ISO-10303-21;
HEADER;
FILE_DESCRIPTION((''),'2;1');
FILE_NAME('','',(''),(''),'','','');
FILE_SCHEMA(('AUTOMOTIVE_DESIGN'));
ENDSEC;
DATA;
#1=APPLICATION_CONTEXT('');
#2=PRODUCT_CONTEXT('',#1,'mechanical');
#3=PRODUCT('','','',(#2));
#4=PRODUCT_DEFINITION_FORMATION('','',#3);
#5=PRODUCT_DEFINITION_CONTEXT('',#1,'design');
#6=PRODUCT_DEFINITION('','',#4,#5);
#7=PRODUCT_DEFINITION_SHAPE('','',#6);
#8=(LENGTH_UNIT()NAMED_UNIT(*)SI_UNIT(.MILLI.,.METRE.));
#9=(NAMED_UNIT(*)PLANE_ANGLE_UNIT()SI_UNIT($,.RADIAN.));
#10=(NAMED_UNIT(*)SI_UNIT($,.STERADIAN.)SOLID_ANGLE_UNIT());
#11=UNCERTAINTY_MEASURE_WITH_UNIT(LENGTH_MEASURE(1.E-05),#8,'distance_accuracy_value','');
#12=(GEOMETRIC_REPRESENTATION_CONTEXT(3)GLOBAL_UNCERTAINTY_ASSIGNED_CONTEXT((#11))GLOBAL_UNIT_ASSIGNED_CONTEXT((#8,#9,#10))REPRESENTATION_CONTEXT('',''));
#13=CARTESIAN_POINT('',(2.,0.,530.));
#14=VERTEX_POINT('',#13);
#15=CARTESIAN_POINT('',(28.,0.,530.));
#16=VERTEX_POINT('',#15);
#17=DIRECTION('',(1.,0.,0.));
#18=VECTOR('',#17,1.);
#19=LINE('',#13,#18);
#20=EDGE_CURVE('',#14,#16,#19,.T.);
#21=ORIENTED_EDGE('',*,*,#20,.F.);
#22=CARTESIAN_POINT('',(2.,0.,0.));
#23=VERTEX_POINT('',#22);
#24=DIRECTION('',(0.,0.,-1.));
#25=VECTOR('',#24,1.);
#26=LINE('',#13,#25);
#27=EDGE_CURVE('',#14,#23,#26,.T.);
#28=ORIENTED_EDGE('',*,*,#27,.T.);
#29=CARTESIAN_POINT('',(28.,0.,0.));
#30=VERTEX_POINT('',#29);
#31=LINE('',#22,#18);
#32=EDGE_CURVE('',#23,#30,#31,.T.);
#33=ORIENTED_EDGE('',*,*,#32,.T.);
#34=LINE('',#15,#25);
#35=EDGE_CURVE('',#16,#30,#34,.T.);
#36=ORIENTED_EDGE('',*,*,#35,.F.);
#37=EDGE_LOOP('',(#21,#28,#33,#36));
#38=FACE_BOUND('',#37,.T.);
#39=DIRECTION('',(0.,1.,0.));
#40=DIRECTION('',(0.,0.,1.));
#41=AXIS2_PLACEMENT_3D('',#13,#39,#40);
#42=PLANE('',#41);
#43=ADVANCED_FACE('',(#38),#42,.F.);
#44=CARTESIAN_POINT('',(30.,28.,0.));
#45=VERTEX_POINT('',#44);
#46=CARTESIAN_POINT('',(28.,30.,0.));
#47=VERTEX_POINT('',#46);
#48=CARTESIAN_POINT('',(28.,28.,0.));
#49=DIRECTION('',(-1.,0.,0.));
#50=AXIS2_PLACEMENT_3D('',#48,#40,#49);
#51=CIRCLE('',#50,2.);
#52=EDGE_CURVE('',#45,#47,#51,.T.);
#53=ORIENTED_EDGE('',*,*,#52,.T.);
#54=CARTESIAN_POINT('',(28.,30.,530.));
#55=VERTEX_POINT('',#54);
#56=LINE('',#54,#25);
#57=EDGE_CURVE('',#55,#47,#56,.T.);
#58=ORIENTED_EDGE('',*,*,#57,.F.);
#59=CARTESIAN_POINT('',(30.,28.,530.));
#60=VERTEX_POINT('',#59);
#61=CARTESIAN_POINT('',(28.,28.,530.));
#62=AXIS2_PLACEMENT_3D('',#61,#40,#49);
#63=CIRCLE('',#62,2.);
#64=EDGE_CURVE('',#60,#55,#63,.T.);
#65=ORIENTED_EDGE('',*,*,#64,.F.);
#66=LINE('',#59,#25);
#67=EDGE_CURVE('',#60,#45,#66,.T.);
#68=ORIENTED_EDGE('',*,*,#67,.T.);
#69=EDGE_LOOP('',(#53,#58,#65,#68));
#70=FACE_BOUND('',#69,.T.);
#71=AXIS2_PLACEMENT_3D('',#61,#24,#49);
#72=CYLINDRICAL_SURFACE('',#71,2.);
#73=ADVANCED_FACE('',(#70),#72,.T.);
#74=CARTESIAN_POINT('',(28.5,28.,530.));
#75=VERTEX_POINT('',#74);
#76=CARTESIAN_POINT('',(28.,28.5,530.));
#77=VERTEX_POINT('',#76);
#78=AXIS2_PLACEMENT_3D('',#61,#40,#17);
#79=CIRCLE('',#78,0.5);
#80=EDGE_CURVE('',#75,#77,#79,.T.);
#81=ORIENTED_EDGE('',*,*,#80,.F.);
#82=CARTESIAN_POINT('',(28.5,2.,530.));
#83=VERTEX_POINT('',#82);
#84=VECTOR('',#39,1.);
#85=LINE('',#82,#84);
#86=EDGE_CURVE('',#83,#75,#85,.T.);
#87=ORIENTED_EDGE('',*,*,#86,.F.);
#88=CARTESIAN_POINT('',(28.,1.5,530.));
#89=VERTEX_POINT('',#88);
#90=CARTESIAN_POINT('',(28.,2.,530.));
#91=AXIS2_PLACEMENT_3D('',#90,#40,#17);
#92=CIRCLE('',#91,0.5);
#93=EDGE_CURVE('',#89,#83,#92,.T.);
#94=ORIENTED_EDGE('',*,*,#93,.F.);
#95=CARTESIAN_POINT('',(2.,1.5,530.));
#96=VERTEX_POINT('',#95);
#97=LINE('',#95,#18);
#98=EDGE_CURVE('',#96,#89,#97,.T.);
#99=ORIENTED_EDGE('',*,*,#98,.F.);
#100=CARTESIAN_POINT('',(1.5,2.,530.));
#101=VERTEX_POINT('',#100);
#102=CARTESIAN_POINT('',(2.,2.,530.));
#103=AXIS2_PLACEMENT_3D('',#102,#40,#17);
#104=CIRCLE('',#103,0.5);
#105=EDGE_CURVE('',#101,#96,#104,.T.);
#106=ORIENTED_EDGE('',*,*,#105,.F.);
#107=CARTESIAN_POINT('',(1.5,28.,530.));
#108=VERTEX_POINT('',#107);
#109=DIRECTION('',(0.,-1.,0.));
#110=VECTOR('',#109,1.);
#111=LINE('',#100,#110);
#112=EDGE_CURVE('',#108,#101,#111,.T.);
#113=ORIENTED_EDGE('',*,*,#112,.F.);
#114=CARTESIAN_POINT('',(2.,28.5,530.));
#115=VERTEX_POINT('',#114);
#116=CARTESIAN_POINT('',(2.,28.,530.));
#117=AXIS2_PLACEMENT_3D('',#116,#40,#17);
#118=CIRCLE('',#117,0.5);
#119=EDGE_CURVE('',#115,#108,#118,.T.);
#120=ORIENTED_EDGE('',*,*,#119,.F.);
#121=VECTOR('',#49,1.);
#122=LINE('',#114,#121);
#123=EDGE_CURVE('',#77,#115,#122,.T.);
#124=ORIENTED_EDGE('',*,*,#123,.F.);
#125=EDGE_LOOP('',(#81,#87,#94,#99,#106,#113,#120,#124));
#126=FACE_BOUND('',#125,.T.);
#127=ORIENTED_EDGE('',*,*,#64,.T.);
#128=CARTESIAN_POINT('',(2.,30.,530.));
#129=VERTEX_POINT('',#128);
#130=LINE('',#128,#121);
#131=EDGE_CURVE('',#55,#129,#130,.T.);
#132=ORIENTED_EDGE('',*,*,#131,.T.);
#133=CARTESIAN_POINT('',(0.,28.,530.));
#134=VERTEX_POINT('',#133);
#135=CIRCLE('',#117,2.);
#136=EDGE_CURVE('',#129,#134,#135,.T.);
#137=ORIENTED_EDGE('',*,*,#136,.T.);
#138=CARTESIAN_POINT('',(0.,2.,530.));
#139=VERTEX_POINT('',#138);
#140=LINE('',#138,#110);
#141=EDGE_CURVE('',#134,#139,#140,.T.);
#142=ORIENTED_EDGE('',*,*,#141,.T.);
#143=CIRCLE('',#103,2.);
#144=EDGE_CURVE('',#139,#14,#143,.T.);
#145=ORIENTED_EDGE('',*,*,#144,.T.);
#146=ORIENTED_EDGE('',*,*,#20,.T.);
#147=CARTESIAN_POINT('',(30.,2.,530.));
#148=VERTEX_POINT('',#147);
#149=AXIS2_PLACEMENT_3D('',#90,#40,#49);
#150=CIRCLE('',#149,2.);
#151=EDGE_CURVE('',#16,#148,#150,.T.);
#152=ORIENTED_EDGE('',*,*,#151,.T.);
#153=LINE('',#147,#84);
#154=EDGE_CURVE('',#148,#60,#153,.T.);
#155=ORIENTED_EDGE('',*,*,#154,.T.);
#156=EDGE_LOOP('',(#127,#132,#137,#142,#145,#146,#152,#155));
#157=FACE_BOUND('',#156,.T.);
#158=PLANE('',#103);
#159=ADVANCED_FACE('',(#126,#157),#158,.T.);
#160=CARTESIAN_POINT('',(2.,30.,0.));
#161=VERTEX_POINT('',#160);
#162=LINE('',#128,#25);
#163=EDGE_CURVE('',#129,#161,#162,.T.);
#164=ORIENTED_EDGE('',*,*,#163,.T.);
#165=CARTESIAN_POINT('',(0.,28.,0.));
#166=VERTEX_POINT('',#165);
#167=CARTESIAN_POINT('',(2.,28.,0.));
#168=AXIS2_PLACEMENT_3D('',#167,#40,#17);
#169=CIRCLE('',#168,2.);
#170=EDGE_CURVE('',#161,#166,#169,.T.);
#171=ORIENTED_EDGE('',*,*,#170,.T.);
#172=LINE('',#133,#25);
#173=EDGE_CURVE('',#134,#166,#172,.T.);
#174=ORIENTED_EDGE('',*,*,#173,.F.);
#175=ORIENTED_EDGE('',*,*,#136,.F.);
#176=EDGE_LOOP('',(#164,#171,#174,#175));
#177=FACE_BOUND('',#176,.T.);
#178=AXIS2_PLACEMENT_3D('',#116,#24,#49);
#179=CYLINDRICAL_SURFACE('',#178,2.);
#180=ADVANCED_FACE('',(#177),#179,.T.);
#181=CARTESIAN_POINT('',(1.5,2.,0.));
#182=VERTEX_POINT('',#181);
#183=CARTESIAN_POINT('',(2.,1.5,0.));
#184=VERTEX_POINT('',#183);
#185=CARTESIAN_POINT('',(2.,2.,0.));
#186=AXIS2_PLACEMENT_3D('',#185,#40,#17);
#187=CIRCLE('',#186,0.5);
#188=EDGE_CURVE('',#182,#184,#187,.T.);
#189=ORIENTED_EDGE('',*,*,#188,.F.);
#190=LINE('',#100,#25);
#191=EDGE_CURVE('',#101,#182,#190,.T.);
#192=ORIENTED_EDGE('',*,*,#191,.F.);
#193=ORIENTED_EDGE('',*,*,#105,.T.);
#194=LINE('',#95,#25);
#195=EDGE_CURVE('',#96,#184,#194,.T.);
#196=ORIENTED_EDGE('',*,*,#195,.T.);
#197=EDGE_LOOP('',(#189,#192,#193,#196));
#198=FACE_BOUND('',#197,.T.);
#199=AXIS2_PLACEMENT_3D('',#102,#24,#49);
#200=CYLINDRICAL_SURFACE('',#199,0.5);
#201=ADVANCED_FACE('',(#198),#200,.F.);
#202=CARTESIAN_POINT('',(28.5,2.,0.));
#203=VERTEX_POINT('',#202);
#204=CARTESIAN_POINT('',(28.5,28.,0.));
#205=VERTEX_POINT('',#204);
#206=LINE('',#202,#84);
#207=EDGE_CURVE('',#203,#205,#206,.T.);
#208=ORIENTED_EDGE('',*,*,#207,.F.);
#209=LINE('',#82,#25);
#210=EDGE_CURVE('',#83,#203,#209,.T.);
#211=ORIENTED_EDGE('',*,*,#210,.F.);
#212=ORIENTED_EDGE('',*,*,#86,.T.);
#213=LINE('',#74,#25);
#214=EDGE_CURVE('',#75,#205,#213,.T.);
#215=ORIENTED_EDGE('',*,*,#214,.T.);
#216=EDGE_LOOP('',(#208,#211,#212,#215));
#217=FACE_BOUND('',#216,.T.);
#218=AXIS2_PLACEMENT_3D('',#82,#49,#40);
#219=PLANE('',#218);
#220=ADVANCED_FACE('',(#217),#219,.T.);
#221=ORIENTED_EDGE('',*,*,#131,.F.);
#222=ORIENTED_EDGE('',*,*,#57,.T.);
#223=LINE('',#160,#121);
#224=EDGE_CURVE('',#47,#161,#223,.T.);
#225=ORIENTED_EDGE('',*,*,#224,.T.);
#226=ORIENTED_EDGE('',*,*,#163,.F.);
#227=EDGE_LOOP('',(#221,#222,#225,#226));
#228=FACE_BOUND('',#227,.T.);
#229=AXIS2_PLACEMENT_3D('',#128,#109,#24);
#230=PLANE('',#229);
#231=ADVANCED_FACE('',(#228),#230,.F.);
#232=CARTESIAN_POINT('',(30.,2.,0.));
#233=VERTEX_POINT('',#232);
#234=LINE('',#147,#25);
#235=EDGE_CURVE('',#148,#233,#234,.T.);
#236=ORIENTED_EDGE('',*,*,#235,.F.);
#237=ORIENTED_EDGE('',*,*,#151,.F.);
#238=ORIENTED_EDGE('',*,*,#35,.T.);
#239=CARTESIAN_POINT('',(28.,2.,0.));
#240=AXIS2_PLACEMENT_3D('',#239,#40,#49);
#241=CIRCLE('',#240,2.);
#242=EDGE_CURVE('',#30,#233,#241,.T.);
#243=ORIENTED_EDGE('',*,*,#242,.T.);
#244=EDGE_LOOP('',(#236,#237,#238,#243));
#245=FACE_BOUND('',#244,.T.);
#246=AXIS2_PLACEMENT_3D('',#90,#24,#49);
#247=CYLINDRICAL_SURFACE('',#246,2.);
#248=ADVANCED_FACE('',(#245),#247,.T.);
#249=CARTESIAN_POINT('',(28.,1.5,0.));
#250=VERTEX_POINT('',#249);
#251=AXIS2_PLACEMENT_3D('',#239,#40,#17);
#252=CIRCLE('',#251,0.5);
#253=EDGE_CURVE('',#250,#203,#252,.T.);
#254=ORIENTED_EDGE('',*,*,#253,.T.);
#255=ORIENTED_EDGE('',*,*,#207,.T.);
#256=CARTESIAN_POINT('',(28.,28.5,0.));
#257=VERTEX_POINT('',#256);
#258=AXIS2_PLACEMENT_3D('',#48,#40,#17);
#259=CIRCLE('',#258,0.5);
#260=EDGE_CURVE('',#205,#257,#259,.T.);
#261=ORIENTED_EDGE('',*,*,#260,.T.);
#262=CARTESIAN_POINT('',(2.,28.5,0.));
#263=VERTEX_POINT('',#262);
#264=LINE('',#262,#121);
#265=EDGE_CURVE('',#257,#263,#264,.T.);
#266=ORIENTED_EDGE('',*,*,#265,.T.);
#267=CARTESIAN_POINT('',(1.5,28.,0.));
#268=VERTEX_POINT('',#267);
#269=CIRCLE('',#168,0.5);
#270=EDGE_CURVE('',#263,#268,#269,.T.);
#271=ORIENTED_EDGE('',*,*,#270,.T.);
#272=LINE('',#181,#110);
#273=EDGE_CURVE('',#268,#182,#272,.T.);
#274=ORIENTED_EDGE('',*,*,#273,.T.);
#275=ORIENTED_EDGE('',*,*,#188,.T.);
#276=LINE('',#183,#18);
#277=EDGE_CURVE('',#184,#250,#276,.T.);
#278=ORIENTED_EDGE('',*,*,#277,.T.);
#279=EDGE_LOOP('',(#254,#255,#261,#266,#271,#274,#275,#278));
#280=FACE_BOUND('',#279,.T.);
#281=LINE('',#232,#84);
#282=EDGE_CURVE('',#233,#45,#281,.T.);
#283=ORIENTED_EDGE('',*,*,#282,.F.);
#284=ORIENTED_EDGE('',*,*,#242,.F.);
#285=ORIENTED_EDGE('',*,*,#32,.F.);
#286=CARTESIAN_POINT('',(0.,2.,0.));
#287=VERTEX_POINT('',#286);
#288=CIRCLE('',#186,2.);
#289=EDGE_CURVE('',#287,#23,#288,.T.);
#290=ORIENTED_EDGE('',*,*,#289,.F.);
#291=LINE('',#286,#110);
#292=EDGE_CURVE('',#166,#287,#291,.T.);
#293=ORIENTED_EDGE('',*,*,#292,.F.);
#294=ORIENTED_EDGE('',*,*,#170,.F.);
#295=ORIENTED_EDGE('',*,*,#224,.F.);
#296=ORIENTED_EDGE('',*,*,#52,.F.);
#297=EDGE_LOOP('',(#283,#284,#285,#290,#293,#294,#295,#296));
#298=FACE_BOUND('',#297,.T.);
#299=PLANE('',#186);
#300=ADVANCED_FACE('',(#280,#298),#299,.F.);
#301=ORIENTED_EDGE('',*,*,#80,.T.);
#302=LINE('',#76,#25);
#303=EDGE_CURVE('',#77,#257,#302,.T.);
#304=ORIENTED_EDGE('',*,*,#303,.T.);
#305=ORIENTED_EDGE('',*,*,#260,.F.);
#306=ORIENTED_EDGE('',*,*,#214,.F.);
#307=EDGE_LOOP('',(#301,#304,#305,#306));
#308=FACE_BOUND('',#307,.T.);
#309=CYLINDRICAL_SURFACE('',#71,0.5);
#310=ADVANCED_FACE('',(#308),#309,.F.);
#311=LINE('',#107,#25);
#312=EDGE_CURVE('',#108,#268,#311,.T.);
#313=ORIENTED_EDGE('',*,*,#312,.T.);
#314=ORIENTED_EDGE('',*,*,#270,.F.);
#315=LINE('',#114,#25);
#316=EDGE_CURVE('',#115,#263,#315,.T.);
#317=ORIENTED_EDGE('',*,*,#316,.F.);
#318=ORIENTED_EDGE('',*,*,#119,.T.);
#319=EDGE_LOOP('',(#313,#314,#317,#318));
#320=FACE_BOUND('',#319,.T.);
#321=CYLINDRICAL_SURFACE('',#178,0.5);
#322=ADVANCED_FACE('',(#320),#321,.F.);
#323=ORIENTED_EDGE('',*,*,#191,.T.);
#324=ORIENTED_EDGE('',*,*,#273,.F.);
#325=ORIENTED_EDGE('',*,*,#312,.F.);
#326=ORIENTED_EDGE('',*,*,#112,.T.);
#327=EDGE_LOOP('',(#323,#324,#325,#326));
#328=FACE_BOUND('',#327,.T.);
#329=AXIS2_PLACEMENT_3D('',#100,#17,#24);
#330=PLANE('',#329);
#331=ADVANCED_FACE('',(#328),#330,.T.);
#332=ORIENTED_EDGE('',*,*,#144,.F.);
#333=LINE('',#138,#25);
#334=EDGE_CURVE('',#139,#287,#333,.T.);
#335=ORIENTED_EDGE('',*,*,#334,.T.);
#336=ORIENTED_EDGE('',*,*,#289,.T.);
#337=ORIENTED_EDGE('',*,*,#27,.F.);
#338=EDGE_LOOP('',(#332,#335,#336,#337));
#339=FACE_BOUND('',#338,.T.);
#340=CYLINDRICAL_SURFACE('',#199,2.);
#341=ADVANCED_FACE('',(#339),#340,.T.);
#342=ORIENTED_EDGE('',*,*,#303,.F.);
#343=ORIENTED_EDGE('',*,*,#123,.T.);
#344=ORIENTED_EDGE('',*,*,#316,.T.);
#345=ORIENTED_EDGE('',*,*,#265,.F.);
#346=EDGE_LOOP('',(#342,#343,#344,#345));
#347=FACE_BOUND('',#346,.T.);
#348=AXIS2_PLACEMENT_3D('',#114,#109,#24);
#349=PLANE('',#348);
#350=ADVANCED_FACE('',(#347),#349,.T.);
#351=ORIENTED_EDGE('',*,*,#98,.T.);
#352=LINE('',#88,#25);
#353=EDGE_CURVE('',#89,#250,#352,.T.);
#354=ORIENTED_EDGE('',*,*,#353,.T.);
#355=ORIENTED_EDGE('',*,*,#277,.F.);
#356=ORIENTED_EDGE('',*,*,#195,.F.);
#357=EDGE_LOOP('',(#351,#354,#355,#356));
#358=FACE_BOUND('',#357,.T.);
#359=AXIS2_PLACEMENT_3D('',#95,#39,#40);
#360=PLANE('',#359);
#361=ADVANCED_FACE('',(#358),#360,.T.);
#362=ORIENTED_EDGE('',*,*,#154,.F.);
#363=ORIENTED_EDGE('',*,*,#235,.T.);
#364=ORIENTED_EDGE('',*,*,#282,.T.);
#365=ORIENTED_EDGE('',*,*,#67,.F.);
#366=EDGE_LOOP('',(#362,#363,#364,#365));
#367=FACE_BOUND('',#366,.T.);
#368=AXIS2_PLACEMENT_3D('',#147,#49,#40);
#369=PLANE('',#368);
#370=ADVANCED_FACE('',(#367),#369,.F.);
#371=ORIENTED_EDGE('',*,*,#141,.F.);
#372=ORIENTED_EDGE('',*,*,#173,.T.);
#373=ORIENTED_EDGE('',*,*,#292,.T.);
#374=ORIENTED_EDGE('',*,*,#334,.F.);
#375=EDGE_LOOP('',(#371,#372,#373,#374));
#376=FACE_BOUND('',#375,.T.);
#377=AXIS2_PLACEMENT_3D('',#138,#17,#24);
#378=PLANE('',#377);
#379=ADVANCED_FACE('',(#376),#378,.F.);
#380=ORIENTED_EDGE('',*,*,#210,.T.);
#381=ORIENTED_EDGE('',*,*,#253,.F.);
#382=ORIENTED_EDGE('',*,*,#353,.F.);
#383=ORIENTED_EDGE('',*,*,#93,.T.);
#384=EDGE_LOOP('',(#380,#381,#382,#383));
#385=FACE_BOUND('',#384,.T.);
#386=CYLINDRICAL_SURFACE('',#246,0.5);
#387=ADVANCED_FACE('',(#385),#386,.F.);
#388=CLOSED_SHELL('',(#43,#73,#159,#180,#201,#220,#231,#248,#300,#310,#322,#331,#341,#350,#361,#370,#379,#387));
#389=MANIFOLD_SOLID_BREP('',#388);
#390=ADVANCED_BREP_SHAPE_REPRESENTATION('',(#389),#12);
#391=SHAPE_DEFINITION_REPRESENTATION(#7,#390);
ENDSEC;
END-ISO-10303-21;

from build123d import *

# Parameters (mm, degrees)
EXTRUDE_1_DEPTH = 530


with BuildPart() as part:
    # Эскиз1 → Вытянуть-Тонкостенный1 (new body)
    with BuildSketch(Plane.XY):
        with BuildLine():
            Line((0, 28), (0, 2))
            ThreePointArc((0, 2), (0.585786438, 0.585786438), (2, 0))
            Line((2, 0), (28, 0))
            ThreePointArc((28, 0), (29.414213562, 0.585786438), (30, 2))
            Line((30, 2), (30, 28))
            ThreePointArc((30, 28), (29.414213562, 29.414213562), (28, 30))
            Line((28, 30), (2, 30))
            ThreePointArc((2, 30), (0.585786438, 29.414213562), (0, 28))
        make_face()
        with BuildLine():
            Line((1.5, 28), (1.5, 2))
            ThreePointArc((1.5, 2), (1.646446609, 1.646446609), (2, 1.5))
            Line((2, 1.5), (28, 1.5))
            ThreePointArc((28, 1.5), (28.353553391, 1.646446609), (28.5, 2))
            Line((28.5, 2), (28.5, 28))
            ThreePointArc((28.5, 28), (28.353553391, 28.353553391), (28, 28.5))
            Line((28, 28.5), (2, 28.5))
            ThreePointArc((2, 28.5), (1.646446609, 28.353553391), (1.5, 28))
        make_face(mode=Mode.SUBTRACT)
    extrude(amount=EXTRUDE_1_DEPTH)


solid = part.part
